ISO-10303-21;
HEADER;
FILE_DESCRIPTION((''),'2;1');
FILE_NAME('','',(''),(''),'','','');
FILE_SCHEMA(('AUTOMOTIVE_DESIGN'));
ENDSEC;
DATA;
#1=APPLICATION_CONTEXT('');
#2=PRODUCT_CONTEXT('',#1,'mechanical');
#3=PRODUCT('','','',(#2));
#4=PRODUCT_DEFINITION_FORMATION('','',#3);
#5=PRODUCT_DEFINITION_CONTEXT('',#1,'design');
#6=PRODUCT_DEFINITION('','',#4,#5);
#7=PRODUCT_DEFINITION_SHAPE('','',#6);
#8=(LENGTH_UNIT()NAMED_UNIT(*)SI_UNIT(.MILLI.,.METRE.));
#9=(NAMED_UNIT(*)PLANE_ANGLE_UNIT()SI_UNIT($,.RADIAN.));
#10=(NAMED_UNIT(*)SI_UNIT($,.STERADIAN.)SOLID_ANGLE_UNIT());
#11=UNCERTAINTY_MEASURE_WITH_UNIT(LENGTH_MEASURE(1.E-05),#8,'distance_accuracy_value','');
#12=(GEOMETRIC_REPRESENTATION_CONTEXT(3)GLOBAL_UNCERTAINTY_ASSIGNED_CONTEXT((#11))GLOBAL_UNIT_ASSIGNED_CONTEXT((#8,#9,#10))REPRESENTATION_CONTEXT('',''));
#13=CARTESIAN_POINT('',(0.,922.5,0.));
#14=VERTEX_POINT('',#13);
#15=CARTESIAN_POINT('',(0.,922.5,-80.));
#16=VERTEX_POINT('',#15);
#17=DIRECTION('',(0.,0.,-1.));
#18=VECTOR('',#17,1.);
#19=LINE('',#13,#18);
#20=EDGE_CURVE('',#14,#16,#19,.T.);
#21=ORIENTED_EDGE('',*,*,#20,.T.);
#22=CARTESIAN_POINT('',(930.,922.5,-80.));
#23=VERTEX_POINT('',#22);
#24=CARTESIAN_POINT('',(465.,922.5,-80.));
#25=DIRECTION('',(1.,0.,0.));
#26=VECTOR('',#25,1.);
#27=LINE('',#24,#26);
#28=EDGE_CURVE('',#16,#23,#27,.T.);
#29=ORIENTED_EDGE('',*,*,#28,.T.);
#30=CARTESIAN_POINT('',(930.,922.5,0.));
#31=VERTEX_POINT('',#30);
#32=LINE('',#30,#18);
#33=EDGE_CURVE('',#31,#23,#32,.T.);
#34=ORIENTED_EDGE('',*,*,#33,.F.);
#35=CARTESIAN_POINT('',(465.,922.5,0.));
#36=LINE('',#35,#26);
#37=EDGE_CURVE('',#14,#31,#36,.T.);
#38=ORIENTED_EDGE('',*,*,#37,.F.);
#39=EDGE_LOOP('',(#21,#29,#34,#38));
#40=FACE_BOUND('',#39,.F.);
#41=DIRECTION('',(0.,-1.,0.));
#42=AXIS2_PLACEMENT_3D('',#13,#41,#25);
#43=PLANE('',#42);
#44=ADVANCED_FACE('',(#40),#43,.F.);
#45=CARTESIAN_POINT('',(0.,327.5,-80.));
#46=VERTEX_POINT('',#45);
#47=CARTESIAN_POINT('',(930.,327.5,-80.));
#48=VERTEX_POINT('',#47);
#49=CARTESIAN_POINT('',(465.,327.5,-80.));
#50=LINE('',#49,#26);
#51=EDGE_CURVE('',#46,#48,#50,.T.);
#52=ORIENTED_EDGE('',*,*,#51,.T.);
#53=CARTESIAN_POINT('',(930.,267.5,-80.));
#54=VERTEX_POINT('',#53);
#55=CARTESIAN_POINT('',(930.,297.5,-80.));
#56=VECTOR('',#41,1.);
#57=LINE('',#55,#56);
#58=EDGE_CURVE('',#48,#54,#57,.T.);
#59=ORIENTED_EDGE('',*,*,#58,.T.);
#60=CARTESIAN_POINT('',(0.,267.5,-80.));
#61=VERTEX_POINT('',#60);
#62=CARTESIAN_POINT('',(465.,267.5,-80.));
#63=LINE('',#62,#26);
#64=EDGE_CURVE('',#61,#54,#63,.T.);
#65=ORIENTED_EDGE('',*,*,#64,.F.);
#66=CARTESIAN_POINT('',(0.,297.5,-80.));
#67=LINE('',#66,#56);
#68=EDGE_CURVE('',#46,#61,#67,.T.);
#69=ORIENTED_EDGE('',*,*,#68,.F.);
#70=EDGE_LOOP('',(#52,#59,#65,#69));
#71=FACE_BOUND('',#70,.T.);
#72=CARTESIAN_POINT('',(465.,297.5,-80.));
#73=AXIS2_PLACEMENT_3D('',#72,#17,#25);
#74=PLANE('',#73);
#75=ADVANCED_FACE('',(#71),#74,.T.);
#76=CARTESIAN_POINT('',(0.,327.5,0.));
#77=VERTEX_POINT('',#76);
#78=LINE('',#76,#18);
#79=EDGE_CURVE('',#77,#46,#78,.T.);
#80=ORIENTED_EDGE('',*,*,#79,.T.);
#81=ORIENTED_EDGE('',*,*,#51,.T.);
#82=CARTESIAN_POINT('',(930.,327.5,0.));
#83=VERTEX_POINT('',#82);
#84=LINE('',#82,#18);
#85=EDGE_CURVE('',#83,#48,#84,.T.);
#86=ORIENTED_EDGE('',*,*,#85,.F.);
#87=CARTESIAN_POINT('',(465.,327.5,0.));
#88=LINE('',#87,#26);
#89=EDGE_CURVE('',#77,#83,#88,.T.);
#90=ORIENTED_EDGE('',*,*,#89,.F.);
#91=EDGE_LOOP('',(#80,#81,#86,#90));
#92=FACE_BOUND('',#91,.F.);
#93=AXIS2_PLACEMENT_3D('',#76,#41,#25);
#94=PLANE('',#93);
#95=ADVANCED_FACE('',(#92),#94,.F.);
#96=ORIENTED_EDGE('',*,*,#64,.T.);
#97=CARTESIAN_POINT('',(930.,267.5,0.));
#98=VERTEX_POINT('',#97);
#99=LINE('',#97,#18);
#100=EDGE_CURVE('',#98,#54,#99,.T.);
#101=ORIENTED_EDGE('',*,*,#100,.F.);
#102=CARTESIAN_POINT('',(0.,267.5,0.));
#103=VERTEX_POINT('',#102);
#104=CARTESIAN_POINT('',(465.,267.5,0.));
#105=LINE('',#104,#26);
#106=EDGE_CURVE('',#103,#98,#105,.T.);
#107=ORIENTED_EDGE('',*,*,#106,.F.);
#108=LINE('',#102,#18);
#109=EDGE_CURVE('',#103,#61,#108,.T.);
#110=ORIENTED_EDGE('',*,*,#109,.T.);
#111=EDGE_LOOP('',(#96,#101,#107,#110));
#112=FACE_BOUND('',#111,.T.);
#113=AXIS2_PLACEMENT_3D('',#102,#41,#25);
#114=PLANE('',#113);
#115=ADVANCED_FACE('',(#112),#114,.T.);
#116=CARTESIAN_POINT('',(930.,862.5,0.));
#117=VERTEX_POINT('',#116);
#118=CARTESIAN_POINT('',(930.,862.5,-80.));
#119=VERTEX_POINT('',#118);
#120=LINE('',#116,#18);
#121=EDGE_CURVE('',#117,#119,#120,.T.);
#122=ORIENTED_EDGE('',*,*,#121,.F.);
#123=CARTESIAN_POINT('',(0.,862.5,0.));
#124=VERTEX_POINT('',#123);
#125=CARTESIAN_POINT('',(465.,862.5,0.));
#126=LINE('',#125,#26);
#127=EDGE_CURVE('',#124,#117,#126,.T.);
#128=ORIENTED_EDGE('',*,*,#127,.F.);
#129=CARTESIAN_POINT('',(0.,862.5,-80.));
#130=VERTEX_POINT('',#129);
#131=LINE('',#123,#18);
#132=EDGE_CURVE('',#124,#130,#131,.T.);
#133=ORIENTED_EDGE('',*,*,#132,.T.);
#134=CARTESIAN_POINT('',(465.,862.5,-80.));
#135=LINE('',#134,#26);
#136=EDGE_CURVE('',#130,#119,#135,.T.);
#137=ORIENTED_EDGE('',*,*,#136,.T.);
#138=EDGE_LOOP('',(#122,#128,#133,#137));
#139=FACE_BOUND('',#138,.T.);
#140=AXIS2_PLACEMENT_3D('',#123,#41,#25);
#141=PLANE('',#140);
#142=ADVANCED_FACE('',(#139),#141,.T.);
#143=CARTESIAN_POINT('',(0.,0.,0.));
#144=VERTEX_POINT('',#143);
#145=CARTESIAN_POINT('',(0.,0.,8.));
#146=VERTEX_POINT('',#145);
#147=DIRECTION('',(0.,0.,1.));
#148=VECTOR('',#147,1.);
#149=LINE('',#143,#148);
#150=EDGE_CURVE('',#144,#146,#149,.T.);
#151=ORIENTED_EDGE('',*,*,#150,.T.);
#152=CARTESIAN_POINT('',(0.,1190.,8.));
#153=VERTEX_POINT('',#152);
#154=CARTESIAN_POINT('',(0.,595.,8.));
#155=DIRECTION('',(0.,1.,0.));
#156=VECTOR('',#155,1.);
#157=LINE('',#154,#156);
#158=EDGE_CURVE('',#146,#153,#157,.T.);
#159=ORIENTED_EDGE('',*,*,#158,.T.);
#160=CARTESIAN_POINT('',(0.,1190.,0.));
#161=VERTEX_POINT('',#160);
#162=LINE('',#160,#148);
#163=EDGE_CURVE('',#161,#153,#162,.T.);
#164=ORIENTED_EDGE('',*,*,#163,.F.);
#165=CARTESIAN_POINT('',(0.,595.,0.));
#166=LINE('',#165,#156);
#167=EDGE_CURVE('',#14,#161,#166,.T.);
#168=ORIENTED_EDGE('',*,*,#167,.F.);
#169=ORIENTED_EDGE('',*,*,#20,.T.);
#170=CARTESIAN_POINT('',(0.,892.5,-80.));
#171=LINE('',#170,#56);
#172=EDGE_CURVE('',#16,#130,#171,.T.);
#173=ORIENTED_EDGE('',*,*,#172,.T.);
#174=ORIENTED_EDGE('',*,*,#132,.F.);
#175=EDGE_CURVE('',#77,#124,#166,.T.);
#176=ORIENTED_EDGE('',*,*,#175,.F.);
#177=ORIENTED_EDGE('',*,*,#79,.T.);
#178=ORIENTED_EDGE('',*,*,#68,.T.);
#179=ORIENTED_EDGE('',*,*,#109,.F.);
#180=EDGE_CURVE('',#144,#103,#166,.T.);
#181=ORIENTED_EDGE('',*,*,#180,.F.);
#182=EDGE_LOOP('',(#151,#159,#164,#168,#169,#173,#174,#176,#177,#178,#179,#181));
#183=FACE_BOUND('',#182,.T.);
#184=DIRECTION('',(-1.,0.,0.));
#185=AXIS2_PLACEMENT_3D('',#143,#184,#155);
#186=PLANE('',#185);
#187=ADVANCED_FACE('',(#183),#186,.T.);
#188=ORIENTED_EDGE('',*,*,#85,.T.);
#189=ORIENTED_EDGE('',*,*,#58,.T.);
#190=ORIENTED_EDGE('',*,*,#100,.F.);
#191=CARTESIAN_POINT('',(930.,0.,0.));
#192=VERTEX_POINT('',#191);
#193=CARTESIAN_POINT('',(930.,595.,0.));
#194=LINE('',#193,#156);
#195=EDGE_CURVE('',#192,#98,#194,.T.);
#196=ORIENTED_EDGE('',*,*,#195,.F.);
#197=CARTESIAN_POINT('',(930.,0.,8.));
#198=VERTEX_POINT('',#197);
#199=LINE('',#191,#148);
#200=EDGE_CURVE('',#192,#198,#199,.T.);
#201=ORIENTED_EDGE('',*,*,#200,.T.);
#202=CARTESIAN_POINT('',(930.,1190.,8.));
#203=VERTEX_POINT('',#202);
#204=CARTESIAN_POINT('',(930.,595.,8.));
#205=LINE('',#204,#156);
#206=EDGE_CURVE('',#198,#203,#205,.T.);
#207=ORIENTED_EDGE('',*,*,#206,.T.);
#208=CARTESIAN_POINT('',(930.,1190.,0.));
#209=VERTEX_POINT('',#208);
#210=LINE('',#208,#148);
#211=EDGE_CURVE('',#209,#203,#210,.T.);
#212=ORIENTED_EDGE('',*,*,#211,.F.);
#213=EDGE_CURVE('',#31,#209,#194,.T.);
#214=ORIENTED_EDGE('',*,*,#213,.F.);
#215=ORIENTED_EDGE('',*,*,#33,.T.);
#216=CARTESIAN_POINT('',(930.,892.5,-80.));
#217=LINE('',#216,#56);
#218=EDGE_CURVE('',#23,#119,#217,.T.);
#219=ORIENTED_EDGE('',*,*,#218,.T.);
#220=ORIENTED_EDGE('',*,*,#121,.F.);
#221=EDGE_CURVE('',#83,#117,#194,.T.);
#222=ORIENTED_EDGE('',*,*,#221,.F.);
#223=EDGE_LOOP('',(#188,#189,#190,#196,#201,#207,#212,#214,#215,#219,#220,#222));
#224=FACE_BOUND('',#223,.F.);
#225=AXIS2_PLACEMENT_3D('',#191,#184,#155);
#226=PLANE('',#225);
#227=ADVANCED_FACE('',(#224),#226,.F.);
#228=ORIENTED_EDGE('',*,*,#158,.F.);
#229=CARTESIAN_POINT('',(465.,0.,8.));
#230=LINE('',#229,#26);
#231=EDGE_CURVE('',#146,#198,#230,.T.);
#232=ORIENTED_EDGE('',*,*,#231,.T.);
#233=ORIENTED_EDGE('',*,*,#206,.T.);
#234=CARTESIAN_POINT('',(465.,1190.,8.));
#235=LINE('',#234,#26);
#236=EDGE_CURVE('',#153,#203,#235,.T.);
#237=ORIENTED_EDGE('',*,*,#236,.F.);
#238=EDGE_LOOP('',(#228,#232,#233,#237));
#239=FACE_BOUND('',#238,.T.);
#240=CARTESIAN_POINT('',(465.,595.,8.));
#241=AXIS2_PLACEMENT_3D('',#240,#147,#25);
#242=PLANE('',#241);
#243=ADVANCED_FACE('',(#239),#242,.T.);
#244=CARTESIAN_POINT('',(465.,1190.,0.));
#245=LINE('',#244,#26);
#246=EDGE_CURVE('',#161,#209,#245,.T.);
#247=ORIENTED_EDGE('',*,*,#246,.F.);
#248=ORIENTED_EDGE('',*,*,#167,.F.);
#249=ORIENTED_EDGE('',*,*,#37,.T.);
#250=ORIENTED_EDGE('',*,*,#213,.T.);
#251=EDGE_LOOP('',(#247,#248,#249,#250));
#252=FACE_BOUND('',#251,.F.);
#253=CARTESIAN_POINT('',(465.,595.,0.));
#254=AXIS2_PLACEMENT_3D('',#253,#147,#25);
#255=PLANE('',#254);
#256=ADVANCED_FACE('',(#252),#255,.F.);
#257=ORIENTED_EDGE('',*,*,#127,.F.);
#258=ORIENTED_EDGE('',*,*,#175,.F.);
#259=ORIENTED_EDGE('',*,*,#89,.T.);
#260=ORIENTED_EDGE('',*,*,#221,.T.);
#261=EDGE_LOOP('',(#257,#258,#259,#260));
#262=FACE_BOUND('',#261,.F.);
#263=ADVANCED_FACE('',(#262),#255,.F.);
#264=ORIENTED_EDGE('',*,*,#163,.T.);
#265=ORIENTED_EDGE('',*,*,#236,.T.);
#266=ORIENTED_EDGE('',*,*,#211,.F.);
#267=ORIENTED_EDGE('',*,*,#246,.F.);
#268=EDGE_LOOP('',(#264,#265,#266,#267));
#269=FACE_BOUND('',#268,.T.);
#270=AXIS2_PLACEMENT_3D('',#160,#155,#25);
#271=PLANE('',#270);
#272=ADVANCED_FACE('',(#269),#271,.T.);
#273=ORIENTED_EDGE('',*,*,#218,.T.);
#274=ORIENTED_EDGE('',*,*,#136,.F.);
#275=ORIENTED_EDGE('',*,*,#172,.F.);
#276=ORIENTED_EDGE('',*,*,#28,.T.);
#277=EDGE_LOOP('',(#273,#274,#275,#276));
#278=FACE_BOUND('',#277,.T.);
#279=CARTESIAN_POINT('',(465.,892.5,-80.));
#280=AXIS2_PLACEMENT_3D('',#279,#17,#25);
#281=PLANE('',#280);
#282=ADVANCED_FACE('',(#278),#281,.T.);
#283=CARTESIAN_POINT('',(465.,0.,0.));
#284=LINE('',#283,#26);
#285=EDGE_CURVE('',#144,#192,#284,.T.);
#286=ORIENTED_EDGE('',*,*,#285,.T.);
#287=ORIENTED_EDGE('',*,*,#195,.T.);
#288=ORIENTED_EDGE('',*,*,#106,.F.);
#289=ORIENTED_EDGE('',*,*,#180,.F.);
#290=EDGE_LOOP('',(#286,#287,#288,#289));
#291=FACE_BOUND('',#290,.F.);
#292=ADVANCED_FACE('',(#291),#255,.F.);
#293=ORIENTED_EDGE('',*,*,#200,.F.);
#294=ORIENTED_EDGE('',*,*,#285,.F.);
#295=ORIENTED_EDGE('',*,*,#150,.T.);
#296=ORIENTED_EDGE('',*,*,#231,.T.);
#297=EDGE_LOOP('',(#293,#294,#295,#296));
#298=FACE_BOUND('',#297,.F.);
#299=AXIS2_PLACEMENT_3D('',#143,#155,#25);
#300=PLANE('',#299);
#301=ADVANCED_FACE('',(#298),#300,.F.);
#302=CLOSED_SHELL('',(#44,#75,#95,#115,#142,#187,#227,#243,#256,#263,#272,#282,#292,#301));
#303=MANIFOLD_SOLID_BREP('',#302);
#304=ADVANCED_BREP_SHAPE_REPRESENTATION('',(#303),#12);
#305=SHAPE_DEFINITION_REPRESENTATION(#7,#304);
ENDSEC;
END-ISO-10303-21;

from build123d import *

# Parameters (mm, degrees)
F0_W     = 930
F0_H     = 1190
F1_DEPTH = 8
F2_W     = 930
F2_H     = 60
F3_DEPTH = 80


with BuildPart() as f1:
    # F0 (on Top) → F1 (new body)
    with BuildSketch(Plane.XY):
        with Locations((465, 595)):
            Rectangle(F0_W, F0_H)
    extrude(amount=F1_DEPTH)

    # F2 (on face) → F3 (join)
    with BuildSketch(Plane(origin=(0, 0, 0), x_dir=(1, 0, 0), z_dir=(0, 0, -1))):
        with Locations((465, -297.5)):
            Rectangle(F2_W, F2_H)
        with Locations((465, -892.5)):
            Rectangle(F2_W, F2_H)
    extrude(amount=F3_DEPTH)


solid = f1.part
